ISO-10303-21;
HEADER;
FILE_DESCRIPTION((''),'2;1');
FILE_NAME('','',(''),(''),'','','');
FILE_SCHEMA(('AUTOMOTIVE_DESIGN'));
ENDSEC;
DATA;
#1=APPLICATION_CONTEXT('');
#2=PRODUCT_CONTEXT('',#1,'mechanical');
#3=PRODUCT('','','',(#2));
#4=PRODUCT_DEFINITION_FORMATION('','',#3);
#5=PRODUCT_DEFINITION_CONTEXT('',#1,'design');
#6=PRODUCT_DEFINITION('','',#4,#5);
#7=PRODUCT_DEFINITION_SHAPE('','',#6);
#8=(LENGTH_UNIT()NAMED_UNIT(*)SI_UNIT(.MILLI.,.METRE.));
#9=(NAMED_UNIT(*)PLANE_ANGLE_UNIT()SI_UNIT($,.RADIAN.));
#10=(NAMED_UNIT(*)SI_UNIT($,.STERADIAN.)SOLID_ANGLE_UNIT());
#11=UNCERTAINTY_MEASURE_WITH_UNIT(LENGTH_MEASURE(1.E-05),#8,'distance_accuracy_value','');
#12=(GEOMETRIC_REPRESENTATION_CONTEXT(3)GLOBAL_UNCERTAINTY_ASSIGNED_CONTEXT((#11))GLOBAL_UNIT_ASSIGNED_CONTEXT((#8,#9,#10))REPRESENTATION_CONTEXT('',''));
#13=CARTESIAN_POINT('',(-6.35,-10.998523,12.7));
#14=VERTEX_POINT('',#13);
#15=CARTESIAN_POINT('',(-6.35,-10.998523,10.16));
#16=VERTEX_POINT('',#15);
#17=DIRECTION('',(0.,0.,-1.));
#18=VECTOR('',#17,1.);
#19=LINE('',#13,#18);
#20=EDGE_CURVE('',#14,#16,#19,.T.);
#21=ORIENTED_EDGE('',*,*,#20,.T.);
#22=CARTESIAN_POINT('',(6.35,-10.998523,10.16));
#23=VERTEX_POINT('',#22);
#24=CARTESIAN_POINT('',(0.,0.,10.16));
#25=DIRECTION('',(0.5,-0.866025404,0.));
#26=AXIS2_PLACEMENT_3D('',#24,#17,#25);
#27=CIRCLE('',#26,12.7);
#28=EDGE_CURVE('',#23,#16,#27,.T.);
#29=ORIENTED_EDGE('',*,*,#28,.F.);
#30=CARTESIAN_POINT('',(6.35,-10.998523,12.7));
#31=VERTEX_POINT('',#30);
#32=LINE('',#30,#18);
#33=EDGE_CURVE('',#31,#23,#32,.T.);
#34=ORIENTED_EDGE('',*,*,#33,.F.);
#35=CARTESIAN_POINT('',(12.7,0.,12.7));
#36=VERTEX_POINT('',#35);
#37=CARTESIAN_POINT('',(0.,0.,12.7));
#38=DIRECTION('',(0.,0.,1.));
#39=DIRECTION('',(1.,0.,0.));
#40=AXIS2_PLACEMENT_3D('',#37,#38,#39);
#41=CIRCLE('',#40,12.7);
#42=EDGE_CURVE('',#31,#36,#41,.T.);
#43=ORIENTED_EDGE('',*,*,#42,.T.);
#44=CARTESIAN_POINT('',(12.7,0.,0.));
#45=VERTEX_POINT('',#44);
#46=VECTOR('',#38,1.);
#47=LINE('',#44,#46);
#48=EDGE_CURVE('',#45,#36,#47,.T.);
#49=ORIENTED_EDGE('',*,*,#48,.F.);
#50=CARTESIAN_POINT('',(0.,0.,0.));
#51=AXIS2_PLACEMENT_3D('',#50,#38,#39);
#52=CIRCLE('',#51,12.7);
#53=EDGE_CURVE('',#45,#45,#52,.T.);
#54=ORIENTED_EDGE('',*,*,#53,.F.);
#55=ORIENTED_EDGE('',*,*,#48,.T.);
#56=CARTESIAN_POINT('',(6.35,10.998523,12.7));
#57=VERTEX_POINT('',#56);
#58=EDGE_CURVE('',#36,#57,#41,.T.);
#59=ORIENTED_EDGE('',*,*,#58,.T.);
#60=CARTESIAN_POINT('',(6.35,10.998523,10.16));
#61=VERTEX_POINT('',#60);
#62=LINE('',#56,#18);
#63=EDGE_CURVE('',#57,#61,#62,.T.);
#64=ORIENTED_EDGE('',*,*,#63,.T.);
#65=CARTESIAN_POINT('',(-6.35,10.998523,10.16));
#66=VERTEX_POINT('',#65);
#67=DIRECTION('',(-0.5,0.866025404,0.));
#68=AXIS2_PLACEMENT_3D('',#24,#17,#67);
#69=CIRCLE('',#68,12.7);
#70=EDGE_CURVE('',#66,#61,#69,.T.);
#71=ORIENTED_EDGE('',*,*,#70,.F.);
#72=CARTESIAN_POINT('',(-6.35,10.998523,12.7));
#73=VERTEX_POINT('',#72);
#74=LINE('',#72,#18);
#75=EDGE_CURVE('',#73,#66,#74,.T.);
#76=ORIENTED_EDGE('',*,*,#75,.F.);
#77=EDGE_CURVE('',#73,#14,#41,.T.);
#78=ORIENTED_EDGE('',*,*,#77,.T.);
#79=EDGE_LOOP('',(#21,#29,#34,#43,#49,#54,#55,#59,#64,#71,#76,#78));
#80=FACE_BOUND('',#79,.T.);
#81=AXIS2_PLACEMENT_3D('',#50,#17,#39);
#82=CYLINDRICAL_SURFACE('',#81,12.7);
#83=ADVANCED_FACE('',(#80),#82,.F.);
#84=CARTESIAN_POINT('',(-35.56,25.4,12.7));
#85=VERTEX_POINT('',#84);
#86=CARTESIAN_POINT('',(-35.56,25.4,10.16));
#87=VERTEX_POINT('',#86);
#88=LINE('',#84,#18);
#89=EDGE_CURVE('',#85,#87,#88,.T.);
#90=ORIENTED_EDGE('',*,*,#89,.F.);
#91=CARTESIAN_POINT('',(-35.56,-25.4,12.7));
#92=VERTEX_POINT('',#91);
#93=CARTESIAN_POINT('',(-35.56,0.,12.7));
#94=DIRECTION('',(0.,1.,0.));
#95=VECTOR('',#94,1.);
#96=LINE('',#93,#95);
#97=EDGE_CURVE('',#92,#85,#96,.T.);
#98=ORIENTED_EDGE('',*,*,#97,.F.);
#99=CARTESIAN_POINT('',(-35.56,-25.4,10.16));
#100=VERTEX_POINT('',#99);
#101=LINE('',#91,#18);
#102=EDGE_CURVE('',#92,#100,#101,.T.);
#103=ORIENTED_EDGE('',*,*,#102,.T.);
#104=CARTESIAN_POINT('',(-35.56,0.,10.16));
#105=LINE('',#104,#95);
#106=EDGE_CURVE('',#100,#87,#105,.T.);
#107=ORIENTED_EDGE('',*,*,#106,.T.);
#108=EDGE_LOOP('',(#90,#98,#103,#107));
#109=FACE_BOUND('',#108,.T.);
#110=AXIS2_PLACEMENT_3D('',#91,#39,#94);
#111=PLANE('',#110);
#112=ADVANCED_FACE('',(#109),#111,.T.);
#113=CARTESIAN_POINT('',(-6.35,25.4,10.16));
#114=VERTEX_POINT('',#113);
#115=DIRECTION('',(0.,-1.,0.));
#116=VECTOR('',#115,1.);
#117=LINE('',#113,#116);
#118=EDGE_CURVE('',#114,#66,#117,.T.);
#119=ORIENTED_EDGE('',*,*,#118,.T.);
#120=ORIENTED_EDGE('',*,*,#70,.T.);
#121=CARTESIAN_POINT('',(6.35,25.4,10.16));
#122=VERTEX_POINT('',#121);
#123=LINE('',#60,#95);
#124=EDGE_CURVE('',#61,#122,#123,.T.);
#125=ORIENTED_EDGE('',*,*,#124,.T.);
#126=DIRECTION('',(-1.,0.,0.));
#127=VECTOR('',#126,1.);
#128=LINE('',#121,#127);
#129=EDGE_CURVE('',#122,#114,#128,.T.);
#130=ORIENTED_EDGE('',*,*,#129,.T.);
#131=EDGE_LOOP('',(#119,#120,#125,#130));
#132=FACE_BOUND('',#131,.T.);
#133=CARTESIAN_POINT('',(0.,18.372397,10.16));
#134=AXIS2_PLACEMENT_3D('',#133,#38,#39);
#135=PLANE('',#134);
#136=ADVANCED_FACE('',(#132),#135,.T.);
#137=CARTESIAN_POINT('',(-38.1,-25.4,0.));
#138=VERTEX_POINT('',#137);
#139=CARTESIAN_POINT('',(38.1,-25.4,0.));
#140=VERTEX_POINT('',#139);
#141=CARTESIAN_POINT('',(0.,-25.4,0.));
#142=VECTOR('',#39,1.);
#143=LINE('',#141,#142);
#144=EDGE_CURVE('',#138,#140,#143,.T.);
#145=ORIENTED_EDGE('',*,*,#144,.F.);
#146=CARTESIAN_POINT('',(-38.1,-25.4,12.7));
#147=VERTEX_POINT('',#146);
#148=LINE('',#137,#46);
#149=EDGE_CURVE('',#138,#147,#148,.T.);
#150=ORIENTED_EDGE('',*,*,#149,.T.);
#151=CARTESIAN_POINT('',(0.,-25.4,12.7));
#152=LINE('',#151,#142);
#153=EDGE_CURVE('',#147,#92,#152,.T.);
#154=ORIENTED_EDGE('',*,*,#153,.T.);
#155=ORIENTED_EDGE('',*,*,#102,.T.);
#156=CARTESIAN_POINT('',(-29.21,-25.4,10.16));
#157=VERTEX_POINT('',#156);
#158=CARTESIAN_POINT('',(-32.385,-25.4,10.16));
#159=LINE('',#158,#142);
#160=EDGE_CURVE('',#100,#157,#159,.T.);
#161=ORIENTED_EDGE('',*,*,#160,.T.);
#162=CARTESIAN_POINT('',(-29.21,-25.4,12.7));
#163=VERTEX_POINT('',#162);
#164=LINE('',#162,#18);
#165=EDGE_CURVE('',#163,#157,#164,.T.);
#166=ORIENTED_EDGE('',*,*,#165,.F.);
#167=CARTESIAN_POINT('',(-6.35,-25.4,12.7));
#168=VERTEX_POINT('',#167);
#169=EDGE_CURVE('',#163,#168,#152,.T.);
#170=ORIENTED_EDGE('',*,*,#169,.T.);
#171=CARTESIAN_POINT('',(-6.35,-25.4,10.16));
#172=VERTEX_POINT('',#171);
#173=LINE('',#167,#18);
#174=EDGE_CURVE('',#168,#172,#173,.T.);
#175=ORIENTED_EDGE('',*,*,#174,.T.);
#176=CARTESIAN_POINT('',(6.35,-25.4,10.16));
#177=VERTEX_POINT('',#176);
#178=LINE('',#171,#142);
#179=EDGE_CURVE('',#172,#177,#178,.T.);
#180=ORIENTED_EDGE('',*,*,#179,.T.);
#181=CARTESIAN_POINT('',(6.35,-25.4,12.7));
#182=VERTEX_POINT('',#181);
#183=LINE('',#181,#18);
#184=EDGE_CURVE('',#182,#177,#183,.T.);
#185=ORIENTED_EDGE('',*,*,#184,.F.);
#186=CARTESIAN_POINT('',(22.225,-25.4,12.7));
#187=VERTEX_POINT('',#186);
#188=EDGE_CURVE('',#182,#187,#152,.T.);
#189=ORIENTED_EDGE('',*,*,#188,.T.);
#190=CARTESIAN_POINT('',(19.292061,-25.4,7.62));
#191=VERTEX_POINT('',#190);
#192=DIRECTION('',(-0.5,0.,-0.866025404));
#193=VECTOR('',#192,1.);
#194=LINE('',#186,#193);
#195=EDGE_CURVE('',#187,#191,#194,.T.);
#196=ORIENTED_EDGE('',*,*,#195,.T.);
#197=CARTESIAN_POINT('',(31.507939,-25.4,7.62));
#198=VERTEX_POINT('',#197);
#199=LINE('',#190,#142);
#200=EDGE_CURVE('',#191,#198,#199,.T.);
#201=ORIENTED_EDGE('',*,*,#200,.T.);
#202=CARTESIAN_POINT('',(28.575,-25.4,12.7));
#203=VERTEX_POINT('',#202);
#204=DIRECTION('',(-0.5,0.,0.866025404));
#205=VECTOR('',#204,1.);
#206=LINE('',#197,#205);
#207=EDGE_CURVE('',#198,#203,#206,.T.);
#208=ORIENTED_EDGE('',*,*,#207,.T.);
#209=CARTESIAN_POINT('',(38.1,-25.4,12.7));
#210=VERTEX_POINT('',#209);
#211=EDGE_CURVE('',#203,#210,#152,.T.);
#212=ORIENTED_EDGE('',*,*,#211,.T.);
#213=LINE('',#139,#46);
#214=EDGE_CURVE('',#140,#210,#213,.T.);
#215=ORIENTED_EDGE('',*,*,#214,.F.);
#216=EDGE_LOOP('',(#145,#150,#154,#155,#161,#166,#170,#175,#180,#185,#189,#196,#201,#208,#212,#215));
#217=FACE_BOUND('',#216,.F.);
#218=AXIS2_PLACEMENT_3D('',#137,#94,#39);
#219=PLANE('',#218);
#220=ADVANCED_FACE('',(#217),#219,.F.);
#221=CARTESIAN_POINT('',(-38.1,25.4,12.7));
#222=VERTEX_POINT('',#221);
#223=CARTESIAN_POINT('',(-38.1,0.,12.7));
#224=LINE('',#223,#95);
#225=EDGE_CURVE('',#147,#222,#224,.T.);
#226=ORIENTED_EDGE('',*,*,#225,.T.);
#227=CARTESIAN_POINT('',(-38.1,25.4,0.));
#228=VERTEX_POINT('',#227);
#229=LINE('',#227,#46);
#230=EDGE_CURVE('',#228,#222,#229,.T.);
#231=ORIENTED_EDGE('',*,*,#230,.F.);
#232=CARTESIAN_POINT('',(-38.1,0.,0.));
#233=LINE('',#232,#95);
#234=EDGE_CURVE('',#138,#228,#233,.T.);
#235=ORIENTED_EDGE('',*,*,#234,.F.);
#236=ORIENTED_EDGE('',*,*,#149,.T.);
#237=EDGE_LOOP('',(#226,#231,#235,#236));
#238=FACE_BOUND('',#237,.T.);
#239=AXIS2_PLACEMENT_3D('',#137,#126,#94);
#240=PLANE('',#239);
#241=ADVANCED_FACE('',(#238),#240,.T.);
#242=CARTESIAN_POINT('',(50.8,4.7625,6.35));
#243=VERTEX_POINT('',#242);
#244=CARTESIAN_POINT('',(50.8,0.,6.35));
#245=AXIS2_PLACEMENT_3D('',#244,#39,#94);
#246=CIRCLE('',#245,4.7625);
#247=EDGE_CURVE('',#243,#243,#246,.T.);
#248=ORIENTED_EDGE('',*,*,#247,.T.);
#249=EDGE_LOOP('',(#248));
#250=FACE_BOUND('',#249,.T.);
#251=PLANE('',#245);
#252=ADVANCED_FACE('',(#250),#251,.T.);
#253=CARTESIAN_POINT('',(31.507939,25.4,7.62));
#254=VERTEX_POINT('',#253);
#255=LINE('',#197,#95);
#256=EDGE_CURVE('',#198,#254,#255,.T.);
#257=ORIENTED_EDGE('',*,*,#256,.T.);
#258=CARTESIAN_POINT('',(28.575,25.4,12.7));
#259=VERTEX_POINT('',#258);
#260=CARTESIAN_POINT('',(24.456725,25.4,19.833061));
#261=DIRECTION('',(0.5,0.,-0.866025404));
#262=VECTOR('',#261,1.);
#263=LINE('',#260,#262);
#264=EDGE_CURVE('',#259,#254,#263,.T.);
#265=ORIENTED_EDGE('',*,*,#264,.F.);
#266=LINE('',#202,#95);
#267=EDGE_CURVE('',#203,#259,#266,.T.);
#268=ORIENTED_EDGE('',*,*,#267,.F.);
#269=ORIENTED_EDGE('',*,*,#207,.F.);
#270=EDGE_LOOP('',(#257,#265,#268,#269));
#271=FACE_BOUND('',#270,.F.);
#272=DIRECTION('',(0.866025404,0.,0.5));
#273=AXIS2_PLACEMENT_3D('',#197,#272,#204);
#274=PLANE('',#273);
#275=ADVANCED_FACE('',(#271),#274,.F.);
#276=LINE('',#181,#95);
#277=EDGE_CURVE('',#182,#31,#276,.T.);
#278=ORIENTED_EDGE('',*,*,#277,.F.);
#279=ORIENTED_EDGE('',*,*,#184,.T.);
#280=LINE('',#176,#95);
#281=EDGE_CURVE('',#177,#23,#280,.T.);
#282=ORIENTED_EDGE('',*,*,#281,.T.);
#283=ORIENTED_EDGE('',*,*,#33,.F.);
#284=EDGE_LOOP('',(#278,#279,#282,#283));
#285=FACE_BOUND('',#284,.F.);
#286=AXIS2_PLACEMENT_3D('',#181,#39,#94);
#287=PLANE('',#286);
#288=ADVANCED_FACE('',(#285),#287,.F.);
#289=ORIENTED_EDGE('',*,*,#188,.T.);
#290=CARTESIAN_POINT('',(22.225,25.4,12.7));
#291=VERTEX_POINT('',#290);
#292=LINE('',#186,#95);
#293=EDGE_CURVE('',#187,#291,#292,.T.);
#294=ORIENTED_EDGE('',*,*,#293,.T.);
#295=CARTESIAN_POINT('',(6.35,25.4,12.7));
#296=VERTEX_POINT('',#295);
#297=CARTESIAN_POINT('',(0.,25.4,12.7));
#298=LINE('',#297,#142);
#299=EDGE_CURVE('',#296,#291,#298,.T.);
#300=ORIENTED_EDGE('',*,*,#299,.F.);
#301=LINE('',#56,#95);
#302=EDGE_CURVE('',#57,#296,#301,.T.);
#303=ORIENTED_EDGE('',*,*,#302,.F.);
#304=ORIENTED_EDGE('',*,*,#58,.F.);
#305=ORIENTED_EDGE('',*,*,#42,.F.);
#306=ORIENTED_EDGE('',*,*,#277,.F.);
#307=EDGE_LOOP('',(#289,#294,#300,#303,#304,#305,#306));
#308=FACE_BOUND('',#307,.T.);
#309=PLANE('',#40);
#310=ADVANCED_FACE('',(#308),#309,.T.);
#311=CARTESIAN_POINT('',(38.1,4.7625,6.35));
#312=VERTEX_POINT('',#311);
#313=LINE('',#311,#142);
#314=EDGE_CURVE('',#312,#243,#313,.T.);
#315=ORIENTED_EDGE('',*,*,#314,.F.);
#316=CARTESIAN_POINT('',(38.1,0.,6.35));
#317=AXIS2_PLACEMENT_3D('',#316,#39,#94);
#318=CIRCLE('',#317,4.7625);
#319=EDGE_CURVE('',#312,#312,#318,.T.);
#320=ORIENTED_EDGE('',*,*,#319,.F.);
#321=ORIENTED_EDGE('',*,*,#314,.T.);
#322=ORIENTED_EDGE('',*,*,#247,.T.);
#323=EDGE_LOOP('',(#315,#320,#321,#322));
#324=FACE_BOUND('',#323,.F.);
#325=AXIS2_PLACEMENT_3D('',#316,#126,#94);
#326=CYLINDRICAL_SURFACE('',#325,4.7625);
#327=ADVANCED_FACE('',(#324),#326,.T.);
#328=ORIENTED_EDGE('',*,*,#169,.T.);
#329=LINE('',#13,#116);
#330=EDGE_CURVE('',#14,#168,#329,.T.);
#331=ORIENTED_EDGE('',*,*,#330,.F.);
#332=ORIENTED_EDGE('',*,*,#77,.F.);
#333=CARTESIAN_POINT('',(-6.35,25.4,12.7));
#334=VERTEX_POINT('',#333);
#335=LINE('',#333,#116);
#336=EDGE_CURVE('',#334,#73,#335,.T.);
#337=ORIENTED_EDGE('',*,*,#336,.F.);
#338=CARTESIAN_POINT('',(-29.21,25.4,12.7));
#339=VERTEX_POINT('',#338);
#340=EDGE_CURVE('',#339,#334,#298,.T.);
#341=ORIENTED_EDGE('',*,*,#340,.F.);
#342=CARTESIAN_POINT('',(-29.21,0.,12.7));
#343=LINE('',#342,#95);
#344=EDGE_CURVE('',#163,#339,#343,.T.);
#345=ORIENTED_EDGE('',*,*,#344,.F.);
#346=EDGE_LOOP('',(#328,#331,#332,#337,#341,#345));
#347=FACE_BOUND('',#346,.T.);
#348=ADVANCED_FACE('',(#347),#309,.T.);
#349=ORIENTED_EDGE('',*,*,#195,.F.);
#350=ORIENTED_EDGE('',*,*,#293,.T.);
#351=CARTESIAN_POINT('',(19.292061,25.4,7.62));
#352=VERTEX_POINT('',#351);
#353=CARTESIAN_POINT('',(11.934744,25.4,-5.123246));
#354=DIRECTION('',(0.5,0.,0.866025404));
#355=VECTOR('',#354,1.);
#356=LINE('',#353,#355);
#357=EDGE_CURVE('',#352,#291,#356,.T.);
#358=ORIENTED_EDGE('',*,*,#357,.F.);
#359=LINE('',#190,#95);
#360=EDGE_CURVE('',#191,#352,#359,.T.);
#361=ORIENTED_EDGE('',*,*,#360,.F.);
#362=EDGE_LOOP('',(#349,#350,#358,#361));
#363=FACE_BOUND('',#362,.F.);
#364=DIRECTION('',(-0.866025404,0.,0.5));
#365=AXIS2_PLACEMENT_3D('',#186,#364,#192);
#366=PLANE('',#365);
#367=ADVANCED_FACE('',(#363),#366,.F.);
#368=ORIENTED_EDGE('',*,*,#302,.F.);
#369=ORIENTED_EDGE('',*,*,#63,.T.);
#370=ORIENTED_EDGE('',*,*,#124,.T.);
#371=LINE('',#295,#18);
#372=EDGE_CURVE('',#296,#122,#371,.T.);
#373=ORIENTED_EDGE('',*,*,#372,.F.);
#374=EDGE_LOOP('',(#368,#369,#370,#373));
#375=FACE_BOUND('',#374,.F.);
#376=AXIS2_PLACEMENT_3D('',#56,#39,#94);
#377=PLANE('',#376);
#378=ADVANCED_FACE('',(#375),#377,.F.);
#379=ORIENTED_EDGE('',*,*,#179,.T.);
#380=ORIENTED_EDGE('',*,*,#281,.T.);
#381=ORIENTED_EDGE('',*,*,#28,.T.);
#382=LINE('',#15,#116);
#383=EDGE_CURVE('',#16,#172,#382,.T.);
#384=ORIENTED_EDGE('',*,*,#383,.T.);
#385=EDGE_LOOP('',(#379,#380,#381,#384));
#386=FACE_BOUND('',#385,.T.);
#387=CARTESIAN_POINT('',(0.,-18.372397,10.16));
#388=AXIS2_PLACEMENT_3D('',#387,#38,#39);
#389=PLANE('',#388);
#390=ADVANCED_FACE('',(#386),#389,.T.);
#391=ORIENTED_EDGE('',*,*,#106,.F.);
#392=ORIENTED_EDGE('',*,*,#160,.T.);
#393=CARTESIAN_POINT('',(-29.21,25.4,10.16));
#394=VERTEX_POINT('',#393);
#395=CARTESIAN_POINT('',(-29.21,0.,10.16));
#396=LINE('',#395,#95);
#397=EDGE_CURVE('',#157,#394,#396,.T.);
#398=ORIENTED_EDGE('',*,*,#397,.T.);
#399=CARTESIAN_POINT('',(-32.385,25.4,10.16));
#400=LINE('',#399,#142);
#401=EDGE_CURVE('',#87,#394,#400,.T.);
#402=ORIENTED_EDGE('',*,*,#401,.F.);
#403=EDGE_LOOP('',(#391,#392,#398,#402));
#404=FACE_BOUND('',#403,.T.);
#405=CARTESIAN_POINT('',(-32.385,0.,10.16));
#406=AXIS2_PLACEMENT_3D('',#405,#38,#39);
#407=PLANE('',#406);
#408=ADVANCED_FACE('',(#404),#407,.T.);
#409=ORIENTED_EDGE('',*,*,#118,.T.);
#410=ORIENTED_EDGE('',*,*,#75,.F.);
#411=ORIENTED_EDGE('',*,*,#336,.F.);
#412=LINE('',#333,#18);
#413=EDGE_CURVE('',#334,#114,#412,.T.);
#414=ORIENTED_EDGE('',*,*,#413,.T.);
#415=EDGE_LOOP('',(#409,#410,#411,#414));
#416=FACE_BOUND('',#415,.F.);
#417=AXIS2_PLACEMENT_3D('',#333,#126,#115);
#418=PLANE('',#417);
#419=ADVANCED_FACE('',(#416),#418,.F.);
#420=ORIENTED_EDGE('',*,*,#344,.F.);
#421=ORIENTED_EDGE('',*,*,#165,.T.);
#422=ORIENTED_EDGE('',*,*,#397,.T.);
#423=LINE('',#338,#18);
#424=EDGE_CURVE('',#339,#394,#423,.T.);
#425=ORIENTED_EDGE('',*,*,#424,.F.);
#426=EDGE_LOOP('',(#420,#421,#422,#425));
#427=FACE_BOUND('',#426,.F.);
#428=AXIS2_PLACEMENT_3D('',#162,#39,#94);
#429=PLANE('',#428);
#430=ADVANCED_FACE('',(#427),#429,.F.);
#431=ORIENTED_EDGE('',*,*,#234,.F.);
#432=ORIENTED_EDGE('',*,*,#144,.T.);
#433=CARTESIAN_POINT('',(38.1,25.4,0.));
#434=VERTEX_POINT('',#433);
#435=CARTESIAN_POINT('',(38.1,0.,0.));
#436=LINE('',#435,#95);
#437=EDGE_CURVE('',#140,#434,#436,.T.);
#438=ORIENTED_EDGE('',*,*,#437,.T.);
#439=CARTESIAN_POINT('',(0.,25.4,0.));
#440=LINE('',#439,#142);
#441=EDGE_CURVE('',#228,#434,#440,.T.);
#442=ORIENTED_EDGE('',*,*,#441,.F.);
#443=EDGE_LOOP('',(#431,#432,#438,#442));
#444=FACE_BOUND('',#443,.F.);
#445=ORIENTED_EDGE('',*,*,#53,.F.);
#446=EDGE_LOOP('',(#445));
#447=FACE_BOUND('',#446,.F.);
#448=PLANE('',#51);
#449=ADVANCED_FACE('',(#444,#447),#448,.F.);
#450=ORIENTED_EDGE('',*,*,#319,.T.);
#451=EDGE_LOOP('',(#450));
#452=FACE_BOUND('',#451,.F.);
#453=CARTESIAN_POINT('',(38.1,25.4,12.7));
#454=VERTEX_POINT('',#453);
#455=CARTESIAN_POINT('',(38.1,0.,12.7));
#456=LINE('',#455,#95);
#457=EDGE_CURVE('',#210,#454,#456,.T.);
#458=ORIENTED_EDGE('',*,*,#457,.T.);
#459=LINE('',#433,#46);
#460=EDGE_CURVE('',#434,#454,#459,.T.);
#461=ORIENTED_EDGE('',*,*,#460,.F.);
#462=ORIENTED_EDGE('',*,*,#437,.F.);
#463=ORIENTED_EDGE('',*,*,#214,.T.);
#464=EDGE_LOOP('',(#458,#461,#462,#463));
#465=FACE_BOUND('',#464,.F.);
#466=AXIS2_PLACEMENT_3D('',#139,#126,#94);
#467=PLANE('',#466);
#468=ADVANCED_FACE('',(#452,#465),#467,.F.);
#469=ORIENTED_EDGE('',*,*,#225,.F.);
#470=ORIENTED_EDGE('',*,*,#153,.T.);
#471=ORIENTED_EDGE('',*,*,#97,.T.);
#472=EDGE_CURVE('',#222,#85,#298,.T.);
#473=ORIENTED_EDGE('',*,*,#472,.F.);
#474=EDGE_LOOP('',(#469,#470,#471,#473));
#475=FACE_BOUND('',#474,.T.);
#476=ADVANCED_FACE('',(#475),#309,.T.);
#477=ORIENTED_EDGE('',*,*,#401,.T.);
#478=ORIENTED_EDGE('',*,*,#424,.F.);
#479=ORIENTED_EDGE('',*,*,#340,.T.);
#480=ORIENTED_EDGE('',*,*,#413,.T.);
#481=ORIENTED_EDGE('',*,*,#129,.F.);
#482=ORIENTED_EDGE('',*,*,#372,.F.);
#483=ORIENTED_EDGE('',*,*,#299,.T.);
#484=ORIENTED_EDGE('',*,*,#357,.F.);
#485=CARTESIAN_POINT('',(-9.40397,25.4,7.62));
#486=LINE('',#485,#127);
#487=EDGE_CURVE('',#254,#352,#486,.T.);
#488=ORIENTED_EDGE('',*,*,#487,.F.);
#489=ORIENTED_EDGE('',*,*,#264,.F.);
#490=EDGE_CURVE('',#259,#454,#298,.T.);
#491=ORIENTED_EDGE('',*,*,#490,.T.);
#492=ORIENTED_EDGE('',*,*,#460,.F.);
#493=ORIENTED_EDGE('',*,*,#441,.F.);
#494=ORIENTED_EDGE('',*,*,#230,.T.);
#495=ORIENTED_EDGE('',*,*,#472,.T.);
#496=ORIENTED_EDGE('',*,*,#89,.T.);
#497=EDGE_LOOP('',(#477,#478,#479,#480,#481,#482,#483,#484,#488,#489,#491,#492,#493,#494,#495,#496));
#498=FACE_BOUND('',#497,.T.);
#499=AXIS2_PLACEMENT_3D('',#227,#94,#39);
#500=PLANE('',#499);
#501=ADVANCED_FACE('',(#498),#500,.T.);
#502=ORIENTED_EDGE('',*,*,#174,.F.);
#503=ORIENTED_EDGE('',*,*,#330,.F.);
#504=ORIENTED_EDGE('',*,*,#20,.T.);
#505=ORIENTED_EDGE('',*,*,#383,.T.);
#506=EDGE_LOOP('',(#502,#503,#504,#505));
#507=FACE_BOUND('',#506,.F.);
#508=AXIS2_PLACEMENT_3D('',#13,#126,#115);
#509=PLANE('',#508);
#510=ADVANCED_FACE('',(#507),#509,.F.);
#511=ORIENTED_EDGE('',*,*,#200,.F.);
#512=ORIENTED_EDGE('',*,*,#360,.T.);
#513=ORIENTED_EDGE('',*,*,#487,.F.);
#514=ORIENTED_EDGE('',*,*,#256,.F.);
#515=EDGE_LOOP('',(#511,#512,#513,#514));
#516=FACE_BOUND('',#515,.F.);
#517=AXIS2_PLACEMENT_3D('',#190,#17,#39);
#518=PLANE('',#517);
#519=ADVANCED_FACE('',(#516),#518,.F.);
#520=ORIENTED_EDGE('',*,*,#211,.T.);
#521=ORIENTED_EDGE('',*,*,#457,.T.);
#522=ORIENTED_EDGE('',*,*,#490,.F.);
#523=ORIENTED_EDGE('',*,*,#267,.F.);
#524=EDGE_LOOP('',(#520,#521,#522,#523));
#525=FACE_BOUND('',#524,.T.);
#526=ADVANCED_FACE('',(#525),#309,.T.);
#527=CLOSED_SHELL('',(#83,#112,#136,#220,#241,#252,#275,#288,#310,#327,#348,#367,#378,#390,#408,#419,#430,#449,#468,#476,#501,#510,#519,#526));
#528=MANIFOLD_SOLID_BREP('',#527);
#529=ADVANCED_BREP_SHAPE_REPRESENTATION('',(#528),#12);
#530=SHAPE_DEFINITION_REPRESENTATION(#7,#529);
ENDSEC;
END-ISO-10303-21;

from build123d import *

# Parameters (mm, degrees)
F0_W     = 76.2
F0_H     = 50.8
F0_R     = 12.7
F1_DEPTH = 12.7
F2_W     = 6.35
F2_H     = 50.8
F3_DEPTH = 2.54
F5_DEPTH = 65.278
F6_R     = 4.7625
F7_DEPTH = 12.7


with BuildPart() as f1:
    # F0 (on Top) → F1 (new body)
    with BuildSketch(Plane.XY):
        Rectangle(F0_W, F0_H)
        Circle(F0_R, mode=Mode.SUBTRACT)
    extrude(amount=F1_DEPTH)

    # F2 (on face) → F3 (cut)
    with BuildSketch(Plane.XY.offset(12.7)):
        with Locations((-32.385, 0)):
            Rectangle(F2_W, F2_H)
        with BuildLine():
            Line((6.35, 25.4), (-6.35, 25.4))
            Line((-6.35, 25.4), (-6.35, 10.9985226281))
            ThreePointArc((-6.35, 10.9985226281), (0, 12.7), (6.35, 10.9985226281))
            Line((6.35, 10.9985226281), (6.35, 25.4))
        make_face()
        with BuildLine():
            Line((-6.35, -10.9985226281), (-6.35, -25.4))
            Line((-6.35, -25.4), (6.35, -25.4))
            Line((6.35, -25.4), (6.35, -10.9985226281))
            ThreePointArc((6.35, -10.9985226281), (0, -12.7), (-6.35, -10.9985226281))
        make_face()
    extrude(amount=-F3_DEPTH, mode=Mode.SUBTRACT)

    # F4 (on face) → F5 (cut)
    with BuildSketch(Plane.XZ.offset(25.4)):
        Polygon((28.575, 12.7), (22.225, 12.7), (19.2920606325, 7.62), (31.5079393675, 7.62), align=None)
    extrude(amount=-F5_DEPTH, mode=Mode.SUBTRACT)

    # F6 (on face) → F7 (join)
    with BuildSketch(Plane.YZ.offset(38.1)):
        with Locations((0, 6.35)):
            Circle(F6_R)
    extrude(amount=F7_DEPTH)


solid = f1.part
